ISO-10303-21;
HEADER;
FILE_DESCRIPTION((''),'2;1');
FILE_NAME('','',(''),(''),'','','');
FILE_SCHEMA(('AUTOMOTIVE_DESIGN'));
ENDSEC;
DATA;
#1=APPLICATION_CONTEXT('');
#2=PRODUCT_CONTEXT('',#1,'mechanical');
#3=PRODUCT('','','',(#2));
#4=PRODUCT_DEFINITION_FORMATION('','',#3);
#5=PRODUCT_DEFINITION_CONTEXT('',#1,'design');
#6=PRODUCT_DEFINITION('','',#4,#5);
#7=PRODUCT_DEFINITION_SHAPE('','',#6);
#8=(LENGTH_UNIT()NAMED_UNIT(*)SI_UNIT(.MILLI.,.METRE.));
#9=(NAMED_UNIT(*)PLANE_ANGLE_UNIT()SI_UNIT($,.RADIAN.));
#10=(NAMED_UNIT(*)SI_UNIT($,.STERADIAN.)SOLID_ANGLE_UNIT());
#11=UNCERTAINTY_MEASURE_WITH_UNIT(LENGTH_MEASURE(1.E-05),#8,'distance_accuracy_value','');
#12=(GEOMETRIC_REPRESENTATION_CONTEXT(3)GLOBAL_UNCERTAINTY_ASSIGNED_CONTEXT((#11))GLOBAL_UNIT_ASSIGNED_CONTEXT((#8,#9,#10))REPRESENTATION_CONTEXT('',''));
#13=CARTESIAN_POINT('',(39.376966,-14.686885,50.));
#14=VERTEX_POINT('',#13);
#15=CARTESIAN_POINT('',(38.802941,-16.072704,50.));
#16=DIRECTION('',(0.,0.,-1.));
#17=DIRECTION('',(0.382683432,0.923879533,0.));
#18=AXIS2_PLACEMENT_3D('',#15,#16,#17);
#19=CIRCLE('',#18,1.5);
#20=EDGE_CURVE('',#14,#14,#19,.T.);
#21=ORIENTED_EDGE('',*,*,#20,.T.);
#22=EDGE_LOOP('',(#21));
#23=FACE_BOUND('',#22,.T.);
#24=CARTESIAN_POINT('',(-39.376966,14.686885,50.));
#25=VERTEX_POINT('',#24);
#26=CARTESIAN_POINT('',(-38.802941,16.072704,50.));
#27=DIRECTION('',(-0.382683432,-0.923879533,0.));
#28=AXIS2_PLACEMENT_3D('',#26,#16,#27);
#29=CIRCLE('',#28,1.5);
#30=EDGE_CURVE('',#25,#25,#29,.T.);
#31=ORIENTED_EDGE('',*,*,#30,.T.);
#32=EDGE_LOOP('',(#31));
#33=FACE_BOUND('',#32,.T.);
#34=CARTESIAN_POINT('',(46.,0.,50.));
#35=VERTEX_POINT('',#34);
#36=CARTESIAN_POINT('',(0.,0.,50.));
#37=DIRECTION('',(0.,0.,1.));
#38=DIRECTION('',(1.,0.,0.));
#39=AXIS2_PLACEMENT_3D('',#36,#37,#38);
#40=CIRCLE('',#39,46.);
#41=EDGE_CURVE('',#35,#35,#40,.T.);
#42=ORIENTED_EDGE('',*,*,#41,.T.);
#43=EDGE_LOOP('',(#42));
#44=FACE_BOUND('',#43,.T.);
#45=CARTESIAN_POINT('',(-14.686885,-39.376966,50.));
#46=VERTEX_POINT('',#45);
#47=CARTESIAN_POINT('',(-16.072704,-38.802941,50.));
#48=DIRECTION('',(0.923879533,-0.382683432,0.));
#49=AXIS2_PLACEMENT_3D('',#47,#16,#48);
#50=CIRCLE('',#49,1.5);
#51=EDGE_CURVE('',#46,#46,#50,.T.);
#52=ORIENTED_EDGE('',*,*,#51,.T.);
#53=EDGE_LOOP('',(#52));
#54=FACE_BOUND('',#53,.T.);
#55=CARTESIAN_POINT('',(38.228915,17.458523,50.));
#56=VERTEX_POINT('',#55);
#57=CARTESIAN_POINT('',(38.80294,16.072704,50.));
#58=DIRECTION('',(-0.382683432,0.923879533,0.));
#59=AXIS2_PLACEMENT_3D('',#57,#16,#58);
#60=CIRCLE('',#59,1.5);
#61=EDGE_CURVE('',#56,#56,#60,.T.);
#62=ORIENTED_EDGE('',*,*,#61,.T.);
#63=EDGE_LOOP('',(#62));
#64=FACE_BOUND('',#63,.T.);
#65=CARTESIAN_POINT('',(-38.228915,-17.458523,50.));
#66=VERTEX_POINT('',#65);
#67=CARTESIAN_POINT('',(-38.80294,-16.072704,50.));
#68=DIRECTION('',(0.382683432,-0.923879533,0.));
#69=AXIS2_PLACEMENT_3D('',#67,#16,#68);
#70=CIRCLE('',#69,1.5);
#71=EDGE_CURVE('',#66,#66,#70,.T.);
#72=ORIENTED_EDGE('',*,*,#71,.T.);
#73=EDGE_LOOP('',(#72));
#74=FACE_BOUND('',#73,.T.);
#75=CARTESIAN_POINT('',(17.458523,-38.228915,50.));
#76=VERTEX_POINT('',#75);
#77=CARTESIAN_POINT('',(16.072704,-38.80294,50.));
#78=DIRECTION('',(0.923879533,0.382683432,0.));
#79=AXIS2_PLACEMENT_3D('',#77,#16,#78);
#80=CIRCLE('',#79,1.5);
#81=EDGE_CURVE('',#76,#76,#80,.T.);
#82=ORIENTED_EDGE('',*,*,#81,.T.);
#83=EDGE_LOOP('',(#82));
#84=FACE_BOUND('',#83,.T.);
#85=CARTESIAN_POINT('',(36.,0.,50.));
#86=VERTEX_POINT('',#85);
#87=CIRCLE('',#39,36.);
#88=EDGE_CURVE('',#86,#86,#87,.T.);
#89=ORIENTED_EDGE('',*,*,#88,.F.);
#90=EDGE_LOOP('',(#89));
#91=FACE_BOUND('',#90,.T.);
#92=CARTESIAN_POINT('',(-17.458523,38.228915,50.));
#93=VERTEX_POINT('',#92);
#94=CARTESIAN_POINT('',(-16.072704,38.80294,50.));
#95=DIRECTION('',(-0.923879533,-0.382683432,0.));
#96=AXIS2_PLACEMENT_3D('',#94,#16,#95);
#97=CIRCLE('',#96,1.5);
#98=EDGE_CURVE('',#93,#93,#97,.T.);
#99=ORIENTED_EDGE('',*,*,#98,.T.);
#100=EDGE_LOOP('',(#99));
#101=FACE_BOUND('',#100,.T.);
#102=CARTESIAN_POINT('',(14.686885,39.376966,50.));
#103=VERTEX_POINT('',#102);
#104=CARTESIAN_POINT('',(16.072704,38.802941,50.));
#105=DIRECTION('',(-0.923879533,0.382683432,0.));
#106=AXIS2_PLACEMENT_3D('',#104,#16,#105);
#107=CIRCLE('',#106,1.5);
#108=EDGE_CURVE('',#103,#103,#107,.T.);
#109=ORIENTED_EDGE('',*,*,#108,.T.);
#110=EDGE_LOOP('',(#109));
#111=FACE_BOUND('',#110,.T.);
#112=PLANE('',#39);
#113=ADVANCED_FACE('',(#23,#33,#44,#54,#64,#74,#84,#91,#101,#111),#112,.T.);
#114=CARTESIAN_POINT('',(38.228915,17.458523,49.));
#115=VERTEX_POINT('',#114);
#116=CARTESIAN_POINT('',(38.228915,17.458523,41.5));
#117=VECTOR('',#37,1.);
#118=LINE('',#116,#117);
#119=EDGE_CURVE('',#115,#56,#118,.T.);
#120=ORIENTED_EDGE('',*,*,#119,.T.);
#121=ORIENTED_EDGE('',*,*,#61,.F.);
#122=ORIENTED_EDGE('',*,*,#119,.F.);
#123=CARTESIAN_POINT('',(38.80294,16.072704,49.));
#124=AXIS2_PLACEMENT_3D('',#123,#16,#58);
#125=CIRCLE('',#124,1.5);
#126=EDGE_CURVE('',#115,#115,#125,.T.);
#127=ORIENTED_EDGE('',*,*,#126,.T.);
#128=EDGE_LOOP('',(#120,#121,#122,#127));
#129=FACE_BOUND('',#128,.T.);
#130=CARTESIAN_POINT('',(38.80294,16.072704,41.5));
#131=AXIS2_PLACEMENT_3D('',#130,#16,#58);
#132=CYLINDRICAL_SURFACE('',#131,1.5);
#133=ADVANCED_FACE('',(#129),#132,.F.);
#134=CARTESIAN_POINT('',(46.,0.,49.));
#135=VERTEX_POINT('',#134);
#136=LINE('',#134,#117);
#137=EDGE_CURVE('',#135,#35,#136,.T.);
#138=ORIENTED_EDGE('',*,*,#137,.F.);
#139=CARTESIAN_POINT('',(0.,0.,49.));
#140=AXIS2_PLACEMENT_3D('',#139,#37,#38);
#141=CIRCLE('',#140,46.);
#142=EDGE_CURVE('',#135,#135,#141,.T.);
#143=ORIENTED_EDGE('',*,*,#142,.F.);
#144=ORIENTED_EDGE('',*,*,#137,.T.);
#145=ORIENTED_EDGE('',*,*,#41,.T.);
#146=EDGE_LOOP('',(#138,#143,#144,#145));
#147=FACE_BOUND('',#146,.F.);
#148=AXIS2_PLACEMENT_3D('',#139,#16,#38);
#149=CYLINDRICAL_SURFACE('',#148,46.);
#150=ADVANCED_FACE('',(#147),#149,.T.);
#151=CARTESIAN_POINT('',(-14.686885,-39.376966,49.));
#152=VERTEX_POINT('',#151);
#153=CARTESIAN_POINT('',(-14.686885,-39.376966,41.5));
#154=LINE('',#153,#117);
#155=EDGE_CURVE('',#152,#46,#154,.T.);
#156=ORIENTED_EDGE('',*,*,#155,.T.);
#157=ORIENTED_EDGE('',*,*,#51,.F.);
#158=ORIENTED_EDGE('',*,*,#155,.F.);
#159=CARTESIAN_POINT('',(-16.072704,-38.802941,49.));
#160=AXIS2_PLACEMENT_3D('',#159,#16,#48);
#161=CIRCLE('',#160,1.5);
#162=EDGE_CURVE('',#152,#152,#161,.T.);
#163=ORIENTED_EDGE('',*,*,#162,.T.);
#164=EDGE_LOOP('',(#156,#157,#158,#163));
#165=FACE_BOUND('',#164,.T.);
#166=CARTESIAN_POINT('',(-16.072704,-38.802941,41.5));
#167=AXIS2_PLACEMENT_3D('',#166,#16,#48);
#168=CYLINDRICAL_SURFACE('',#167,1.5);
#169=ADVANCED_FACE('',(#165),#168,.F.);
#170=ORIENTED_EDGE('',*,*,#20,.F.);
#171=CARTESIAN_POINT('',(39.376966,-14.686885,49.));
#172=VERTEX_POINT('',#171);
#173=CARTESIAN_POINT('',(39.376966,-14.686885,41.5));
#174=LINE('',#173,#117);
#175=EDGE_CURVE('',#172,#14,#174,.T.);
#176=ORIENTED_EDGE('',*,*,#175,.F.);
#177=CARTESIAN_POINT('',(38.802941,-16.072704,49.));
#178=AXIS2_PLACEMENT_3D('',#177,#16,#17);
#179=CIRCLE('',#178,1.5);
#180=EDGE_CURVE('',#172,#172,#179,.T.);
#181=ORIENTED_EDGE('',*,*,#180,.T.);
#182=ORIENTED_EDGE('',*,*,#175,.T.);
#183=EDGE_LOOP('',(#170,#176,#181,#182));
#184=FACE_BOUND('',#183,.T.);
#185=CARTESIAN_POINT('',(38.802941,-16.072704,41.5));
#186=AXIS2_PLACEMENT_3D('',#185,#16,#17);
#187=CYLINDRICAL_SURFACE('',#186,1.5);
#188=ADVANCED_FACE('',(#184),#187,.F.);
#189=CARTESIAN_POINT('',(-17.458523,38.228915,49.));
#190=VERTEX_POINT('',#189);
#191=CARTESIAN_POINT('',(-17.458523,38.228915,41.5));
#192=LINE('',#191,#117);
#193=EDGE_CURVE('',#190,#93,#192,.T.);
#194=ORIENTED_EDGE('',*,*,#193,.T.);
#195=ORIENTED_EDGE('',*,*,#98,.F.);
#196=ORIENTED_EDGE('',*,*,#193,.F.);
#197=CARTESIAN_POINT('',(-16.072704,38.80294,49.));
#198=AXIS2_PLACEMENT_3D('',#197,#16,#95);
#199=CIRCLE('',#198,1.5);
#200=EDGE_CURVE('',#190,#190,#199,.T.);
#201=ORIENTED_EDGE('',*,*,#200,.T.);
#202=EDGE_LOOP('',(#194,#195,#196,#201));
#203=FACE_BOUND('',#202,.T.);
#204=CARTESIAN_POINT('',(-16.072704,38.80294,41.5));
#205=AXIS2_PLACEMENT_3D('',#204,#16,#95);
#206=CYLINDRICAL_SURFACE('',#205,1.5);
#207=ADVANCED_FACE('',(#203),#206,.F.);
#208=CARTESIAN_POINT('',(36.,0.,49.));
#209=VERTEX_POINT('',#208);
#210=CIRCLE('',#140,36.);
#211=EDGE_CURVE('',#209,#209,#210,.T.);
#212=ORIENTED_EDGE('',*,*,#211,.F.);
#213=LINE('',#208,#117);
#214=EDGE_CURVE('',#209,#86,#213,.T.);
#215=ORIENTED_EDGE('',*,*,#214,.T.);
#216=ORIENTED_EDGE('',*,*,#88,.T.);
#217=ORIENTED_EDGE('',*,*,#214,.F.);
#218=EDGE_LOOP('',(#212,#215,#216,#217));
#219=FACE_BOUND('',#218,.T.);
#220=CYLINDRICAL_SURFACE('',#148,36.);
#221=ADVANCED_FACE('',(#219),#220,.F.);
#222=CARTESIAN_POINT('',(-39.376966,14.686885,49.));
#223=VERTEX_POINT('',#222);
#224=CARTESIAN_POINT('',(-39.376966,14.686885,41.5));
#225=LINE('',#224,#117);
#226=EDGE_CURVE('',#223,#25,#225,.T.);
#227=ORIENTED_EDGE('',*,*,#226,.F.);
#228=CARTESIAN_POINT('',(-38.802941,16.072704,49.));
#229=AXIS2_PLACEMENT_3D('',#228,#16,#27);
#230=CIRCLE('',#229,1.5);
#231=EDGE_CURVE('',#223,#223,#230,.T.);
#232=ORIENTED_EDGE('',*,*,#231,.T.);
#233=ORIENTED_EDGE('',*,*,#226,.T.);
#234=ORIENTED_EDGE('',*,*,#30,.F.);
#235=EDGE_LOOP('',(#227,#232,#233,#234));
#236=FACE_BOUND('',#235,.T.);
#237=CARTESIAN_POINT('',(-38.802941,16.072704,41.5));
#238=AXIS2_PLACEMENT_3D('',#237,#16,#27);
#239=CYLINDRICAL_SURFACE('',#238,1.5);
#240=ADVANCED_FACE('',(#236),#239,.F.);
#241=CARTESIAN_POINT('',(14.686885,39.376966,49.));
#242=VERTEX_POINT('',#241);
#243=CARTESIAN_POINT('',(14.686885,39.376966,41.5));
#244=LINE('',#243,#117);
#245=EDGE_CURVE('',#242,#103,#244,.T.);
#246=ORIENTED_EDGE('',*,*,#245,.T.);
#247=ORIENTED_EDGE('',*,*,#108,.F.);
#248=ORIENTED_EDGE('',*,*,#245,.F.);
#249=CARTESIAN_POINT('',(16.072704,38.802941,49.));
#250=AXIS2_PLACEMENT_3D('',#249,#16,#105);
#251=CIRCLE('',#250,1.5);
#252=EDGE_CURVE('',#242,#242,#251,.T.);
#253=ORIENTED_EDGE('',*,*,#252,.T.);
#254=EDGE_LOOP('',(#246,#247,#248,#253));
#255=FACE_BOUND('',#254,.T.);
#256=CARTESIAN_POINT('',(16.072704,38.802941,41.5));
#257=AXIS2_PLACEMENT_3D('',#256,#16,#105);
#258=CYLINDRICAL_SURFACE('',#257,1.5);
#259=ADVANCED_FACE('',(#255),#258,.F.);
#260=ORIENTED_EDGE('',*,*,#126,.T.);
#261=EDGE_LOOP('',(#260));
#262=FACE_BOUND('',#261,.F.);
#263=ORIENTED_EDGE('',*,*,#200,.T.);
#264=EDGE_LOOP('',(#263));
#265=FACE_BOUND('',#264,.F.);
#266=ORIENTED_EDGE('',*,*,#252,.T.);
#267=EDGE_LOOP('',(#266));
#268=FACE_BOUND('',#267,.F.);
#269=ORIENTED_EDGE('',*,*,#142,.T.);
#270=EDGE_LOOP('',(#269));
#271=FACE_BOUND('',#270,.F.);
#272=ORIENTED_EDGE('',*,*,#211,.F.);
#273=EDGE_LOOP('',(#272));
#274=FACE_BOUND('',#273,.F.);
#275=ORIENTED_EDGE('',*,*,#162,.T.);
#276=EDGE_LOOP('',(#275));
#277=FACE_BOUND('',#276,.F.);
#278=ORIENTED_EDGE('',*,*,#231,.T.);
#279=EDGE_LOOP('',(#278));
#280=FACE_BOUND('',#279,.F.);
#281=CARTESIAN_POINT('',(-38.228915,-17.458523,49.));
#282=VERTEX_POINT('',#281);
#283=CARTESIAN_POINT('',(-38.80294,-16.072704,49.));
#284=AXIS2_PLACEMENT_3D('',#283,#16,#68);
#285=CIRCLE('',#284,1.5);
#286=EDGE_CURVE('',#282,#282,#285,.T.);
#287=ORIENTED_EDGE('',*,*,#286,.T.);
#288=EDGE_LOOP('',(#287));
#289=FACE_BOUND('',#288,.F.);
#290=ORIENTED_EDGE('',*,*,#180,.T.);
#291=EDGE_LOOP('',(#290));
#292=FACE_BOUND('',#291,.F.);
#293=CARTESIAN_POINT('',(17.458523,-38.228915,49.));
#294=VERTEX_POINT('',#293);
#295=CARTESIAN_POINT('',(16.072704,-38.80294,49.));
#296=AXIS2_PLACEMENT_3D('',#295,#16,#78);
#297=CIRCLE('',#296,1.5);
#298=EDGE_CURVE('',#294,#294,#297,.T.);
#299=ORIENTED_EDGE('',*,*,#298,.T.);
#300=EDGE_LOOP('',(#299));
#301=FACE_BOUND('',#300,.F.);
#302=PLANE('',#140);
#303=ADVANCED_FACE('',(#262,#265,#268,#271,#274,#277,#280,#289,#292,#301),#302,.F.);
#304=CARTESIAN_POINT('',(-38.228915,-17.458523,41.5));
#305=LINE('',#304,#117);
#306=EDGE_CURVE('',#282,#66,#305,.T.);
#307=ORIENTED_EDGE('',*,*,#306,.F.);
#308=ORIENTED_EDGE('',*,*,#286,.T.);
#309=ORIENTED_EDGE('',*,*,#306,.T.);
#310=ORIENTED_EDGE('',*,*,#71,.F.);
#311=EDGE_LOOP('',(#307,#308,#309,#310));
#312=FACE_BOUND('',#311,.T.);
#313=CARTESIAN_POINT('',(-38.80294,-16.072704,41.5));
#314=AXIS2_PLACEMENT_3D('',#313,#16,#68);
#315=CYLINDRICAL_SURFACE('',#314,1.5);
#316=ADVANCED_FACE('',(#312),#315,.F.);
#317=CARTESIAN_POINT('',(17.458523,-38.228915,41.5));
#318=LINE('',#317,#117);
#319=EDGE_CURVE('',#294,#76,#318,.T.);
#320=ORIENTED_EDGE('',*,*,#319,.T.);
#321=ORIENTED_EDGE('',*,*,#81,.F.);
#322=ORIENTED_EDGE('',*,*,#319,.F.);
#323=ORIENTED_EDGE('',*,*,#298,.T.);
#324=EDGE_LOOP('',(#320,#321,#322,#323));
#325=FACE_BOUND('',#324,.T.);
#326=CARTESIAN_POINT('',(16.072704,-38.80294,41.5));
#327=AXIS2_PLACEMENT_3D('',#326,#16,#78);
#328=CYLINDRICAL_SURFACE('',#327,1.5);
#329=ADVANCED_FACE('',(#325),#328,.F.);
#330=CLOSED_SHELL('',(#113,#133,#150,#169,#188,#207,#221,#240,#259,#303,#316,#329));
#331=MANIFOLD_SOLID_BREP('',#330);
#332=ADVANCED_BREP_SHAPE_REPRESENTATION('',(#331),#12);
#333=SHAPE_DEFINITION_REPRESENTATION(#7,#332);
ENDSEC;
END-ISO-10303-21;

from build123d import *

# Parameters (mm, degrees)
CYLINDER1296_R               = 1.5
CYLINDER1296_DEPTH           = 12
CYLINDER1296_PLACEMENT_ANGLE = 45
CYLINDER1297_R               = 1.5
CYLINDER1297_DEPTH           = 12
CYLINDER1301_R               = 1.5
CYLINDER1301_DEPTH           = 12
CYLINDER1301_PLACEMENT_ANGLE = 135
CYLINDER1300_R               = 1.5
CYLINDER1300_DEPTH           = 12
CYLINDER1302_R               = 1.5
CYLINDER1302_DEPTH           = 12
CYLINDER1302_PLACEMENT_ANGLE = 225
CYLINDER1299_R               = 1.5
CYLINDER1299_DEPTH           = 12
CYLINDER1295_R               = 1.5
CYLINDER1295_DEPTH           = 12
CYLINDER1295_PLACEMENT_ANGLE = 45
CYLINDER1298_R               = 1.5
CYLINDER1298_DEPTH           = 12
COMPOUND928_PLACEMENT_ANGLE  = 22.5
TUBE114_R                    = 46
TUBE114_R_2                  = 36
TUBE114_DEPTH                = 1


with BuildPart() as v_lec1296:
    # Cylinder1296 → Cylinder1296 (new body)
    with BuildSketch(Plane.XY):
        Circle(CYLINDER1296_R)
    extrude(amount=CYLINDER1296_DEPTH)


with BuildPart() as v_lec1296_1:
    # Cylinder1296 placement: moved
    add(v_lec1296.part.moved(Location((29.698485, -29.698485, 33.5))).rotate(Axis((29.698485, -29.698485, 33.5), (0, 0, 1)), CYLINDER1296_PLACEMENT_ANGLE))


with BuildPart() as v_lec1297:
    # Cylinder1297 → Cylinder1297 (new body)
    with BuildSketch(Plane(origin=(42, 0, 33.5), x_dir=(0, 1, 0), z_dir=(0, 0, 1))):
        Circle(CYLINDER1297_R)
    extrude(amount=CYLINDER1297_DEPTH)


with BuildPart() as v_lec1301:
    # Cylinder1301 → Cylinder1301 (new body)
    with BuildSketch(Plane.XY):
        Circle(CYLINDER1301_R)
    extrude(amount=CYLINDER1301_DEPTH)


with BuildPart() as v_lec1301_1:
    # Cylinder1301 placement: moved
    add(v_lec1301.part.moved(Location((29.698485, 29.698485, 33.5))).rotate(Axis((29.698485, 29.698485, 33.5), (0, 0, 1)), CYLINDER1301_PLACEMENT_ANGLE))


with BuildPart() as v_lec1300:
    # Cylinder1300 → Cylinder1300 (new body)
    with BuildSketch(Plane(origin=(0, 42, 33.5), x_dir=(-1, 0, 0), z_dir=(0, 0, 1))):
        Circle(CYLINDER1300_R)
    extrude(amount=CYLINDER1300_DEPTH)


with BuildPart() as v_lec1302:
    # Cylinder1302 → Cylinder1302 (new body)
    with BuildSketch(Plane.XY):
        Circle(CYLINDER1302_R)
    extrude(amount=CYLINDER1302_DEPTH)


with BuildPart() as v_lec1302_1:
    # Cylinder1302 placement: moved
    add(v_lec1302.part.moved(Location((-29.698485, 29.698485, 33.5))).rotate(Axis((-29.698485, 29.698485, 33.5), (0, 0, 1)), CYLINDER1302_PLACEMENT_ANGLE))


with BuildPart() as v_lec1299:
    # Cylinder1299 → Cylinder1299 (new body)
    with BuildSketch(Plane(origin=(-42, 0, 33.5), x_dir=(0, -1, 0), z_dir=(0, 0, 1))):
        Circle(CYLINDER1299_R)
    extrude(amount=CYLINDER1299_DEPTH)


with BuildPart() as v_lec1295:
    # Cylinder1295 → Cylinder1295 (new body)
    with BuildSketch(Plane.XY):
        Circle(CYLINDER1295_R)
    extrude(amount=CYLINDER1295_DEPTH)


with BuildPart() as v_lec1295_1:
    # Cylinder1295 placement: moved
    add(v_lec1295.part.moved(Location((-29.698485, -29.698485, 33.5))).rotate(Axis((-29.698485, -29.698485, 33.5), (0, 0, -1)), CYLINDER1295_PLACEMENT_ANGLE))


with BuildPart() as compound928:
    # Cylinder1298 → Cylinder1298 (new body)
    with BuildSketch(Plane(origin=(0, -42, 33.5), x_dir=(1, 0, 0), z_dir=(0, 0, 1))):
        Circle(CYLINDER1298_R)
    extrude(amount=CYLINDER1298_DEPTH)

    # Compound928: union Válec1296, Válec1297, Válec1301, Válec1300, Válec1302, Válec1299, Válec1295
    add(v_lec1296_1.part)
    add(v_lec1297.part)
    add(v_lec1301_1.part)
    add(v_lec1300.part)
    add(v_lec1302_1.part)
    add(v_lec1299.part)
    add(v_lec1295_1.part)


with BuildPart() as compound928_1:
    # Compound928 placement: moved
    add(compound928.part.moved(Location((0, 0, 4))).rotate(Axis((0, 0, 4), (0, 0, 1)), COMPOUND928_PLACEMENT_ANGLE))


with BuildPart() as j_midi_deep_thin_actuator_washer:
    # Tube114 → Tube114 (new body)
    with BuildSketch(Plane.XY.offset(45)):
        Circle(TUBE114_R)
        Circle(TUBE114_R_2, mode=Mode.SUBTRACT)
    extrude(amount=TUBE114_DEPTH)

    # Cut469: cut Compound928
    add(compound928_1.part, mode=Mode.SUBTRACT)


with BuildPart() as j_midi_deep_thin_actuator_washer_1:
    # Cut469 placement: moved
    add(j_midi_deep_thin_actuator_washer.part.moved(Location((0, 0, 4))))


solid = j_midi_deep_thin_actuator_washer_1.part
